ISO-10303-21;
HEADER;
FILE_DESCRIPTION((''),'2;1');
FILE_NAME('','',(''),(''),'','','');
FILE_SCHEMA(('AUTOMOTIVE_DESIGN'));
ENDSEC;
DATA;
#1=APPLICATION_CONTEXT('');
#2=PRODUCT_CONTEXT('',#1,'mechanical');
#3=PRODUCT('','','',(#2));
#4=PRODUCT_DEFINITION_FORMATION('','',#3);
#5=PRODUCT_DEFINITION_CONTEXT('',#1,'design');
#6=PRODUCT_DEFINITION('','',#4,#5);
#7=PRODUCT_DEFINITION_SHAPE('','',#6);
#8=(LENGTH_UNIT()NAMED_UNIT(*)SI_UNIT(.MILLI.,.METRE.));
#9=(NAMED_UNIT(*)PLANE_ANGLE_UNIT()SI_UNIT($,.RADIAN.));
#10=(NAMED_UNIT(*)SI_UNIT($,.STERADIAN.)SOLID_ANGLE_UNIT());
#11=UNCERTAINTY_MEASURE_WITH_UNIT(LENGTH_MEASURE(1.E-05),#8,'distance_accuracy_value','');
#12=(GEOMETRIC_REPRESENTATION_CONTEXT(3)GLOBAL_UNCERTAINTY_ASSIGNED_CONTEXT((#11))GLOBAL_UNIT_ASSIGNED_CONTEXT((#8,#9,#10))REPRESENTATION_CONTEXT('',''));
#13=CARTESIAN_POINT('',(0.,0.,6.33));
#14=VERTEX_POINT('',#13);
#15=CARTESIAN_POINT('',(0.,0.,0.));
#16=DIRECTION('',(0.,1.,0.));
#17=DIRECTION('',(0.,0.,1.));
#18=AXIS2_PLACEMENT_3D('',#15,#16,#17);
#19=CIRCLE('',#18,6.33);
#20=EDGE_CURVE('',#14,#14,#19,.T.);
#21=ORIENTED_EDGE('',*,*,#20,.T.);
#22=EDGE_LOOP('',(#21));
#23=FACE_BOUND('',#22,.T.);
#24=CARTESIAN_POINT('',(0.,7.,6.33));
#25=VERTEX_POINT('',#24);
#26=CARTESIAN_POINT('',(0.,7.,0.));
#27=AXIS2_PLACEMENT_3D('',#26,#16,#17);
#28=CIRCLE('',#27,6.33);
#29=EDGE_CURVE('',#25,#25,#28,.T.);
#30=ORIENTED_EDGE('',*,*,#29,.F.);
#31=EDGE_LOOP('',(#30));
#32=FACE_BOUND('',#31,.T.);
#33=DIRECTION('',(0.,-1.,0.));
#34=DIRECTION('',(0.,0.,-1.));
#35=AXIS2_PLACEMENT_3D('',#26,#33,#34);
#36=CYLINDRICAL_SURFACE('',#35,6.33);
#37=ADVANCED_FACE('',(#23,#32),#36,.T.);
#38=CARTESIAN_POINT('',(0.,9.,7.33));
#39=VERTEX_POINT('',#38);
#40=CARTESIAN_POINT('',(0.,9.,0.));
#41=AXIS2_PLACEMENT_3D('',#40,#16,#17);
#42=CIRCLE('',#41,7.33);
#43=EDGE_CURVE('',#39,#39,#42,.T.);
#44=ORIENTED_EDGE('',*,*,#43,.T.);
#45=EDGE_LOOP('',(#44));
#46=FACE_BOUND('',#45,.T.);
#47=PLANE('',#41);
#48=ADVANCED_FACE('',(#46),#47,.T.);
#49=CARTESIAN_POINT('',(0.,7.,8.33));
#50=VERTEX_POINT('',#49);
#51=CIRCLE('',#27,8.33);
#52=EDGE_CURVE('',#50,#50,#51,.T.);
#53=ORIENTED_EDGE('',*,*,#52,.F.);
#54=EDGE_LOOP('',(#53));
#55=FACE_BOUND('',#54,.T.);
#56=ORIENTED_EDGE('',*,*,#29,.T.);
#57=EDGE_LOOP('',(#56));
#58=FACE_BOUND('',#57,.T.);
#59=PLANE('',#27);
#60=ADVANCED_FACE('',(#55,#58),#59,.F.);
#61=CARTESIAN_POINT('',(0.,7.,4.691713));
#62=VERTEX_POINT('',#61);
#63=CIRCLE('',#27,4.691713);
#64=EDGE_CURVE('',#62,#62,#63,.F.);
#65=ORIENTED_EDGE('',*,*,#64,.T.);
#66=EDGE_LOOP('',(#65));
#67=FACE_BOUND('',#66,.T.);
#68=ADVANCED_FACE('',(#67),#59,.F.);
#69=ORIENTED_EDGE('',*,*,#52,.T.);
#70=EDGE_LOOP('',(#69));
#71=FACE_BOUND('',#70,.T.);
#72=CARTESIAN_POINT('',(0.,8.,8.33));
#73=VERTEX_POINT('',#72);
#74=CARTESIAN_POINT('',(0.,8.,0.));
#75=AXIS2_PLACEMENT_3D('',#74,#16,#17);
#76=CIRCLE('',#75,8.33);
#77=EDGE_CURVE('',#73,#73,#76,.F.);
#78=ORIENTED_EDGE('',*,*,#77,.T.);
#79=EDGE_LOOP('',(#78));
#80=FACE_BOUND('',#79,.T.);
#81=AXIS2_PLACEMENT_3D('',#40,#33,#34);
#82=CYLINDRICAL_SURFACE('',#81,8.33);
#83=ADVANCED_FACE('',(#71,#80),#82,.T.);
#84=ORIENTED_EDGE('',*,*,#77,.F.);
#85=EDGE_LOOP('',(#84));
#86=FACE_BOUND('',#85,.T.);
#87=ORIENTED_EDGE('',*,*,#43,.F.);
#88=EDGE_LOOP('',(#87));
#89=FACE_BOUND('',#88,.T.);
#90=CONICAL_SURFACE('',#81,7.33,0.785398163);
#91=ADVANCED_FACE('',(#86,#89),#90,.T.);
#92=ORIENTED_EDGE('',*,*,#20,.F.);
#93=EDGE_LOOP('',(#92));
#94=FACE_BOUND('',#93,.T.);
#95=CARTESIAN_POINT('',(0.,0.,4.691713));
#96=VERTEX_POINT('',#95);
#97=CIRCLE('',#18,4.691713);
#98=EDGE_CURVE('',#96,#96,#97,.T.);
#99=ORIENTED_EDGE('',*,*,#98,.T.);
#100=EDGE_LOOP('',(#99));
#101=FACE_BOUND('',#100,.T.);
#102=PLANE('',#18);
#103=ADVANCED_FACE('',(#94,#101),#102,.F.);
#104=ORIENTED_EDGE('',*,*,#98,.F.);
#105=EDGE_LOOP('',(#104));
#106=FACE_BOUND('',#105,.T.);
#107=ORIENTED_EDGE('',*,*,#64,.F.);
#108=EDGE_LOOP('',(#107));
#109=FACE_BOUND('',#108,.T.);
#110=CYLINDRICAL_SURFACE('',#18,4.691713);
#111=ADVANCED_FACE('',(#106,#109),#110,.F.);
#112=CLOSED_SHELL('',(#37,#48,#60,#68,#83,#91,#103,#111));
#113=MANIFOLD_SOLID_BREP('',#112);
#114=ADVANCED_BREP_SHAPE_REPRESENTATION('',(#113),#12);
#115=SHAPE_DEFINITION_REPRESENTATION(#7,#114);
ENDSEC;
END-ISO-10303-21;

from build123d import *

# Parameters (mm, degrees)
SKETCH1_R           = 6.33
BOSS_EXTRUDE1_DEPTH = 7
SKETCH2_R           = 4.691712698
CUT_EXTRUDE1_DEPTH  = 7
SKETCH3_R           = 8.33
BOSS_EXTRUDE2_DEPTH = 2
CHAMFER1_SIZE       = 1


with BuildPart() as part:
    # Sketch1 → Boss-Extrude1 (new body)
    with BuildSketch(Plane(origin=(0, 0, 0), x_dir=(1, 0, 0), z_dir=(0, 1, 0))):
        Circle(SKETCH1_R)
    extrude(amount=BOSS_EXTRUDE1_DEPTH)

    # Sketch2 → Cut-Extrude1 (cut)
    with BuildSketch(Plane(origin=(0, 7, 0), x_dir=(1, 0, 0), z_dir=(0, 1, 0))):
        Circle(SKETCH2_R)
    extrude(amount=-CUT_EXTRUDE1_DEPTH, mode=Mode.SUBTRACT)

    # Sketch3 → Boss-Extrude2 (add)
    with BuildSketch(Plane(origin=(0, 7, 0), x_dir=(1, 0, 0), z_dir=(0, 1, 0))):
        Circle(SKETCH3_R)
    extrude(amount=BOSS_EXTRUDE2_DEPTH)

    # Chamfer1
    chamfer1_edges = [part.edges().sort_by_distance(p)[0] for p in [
        (-8.33, 9, 0),
    ]]
    chamfer(chamfer1_edges, length=CHAMFER1_SIZE)


solid = part.part
